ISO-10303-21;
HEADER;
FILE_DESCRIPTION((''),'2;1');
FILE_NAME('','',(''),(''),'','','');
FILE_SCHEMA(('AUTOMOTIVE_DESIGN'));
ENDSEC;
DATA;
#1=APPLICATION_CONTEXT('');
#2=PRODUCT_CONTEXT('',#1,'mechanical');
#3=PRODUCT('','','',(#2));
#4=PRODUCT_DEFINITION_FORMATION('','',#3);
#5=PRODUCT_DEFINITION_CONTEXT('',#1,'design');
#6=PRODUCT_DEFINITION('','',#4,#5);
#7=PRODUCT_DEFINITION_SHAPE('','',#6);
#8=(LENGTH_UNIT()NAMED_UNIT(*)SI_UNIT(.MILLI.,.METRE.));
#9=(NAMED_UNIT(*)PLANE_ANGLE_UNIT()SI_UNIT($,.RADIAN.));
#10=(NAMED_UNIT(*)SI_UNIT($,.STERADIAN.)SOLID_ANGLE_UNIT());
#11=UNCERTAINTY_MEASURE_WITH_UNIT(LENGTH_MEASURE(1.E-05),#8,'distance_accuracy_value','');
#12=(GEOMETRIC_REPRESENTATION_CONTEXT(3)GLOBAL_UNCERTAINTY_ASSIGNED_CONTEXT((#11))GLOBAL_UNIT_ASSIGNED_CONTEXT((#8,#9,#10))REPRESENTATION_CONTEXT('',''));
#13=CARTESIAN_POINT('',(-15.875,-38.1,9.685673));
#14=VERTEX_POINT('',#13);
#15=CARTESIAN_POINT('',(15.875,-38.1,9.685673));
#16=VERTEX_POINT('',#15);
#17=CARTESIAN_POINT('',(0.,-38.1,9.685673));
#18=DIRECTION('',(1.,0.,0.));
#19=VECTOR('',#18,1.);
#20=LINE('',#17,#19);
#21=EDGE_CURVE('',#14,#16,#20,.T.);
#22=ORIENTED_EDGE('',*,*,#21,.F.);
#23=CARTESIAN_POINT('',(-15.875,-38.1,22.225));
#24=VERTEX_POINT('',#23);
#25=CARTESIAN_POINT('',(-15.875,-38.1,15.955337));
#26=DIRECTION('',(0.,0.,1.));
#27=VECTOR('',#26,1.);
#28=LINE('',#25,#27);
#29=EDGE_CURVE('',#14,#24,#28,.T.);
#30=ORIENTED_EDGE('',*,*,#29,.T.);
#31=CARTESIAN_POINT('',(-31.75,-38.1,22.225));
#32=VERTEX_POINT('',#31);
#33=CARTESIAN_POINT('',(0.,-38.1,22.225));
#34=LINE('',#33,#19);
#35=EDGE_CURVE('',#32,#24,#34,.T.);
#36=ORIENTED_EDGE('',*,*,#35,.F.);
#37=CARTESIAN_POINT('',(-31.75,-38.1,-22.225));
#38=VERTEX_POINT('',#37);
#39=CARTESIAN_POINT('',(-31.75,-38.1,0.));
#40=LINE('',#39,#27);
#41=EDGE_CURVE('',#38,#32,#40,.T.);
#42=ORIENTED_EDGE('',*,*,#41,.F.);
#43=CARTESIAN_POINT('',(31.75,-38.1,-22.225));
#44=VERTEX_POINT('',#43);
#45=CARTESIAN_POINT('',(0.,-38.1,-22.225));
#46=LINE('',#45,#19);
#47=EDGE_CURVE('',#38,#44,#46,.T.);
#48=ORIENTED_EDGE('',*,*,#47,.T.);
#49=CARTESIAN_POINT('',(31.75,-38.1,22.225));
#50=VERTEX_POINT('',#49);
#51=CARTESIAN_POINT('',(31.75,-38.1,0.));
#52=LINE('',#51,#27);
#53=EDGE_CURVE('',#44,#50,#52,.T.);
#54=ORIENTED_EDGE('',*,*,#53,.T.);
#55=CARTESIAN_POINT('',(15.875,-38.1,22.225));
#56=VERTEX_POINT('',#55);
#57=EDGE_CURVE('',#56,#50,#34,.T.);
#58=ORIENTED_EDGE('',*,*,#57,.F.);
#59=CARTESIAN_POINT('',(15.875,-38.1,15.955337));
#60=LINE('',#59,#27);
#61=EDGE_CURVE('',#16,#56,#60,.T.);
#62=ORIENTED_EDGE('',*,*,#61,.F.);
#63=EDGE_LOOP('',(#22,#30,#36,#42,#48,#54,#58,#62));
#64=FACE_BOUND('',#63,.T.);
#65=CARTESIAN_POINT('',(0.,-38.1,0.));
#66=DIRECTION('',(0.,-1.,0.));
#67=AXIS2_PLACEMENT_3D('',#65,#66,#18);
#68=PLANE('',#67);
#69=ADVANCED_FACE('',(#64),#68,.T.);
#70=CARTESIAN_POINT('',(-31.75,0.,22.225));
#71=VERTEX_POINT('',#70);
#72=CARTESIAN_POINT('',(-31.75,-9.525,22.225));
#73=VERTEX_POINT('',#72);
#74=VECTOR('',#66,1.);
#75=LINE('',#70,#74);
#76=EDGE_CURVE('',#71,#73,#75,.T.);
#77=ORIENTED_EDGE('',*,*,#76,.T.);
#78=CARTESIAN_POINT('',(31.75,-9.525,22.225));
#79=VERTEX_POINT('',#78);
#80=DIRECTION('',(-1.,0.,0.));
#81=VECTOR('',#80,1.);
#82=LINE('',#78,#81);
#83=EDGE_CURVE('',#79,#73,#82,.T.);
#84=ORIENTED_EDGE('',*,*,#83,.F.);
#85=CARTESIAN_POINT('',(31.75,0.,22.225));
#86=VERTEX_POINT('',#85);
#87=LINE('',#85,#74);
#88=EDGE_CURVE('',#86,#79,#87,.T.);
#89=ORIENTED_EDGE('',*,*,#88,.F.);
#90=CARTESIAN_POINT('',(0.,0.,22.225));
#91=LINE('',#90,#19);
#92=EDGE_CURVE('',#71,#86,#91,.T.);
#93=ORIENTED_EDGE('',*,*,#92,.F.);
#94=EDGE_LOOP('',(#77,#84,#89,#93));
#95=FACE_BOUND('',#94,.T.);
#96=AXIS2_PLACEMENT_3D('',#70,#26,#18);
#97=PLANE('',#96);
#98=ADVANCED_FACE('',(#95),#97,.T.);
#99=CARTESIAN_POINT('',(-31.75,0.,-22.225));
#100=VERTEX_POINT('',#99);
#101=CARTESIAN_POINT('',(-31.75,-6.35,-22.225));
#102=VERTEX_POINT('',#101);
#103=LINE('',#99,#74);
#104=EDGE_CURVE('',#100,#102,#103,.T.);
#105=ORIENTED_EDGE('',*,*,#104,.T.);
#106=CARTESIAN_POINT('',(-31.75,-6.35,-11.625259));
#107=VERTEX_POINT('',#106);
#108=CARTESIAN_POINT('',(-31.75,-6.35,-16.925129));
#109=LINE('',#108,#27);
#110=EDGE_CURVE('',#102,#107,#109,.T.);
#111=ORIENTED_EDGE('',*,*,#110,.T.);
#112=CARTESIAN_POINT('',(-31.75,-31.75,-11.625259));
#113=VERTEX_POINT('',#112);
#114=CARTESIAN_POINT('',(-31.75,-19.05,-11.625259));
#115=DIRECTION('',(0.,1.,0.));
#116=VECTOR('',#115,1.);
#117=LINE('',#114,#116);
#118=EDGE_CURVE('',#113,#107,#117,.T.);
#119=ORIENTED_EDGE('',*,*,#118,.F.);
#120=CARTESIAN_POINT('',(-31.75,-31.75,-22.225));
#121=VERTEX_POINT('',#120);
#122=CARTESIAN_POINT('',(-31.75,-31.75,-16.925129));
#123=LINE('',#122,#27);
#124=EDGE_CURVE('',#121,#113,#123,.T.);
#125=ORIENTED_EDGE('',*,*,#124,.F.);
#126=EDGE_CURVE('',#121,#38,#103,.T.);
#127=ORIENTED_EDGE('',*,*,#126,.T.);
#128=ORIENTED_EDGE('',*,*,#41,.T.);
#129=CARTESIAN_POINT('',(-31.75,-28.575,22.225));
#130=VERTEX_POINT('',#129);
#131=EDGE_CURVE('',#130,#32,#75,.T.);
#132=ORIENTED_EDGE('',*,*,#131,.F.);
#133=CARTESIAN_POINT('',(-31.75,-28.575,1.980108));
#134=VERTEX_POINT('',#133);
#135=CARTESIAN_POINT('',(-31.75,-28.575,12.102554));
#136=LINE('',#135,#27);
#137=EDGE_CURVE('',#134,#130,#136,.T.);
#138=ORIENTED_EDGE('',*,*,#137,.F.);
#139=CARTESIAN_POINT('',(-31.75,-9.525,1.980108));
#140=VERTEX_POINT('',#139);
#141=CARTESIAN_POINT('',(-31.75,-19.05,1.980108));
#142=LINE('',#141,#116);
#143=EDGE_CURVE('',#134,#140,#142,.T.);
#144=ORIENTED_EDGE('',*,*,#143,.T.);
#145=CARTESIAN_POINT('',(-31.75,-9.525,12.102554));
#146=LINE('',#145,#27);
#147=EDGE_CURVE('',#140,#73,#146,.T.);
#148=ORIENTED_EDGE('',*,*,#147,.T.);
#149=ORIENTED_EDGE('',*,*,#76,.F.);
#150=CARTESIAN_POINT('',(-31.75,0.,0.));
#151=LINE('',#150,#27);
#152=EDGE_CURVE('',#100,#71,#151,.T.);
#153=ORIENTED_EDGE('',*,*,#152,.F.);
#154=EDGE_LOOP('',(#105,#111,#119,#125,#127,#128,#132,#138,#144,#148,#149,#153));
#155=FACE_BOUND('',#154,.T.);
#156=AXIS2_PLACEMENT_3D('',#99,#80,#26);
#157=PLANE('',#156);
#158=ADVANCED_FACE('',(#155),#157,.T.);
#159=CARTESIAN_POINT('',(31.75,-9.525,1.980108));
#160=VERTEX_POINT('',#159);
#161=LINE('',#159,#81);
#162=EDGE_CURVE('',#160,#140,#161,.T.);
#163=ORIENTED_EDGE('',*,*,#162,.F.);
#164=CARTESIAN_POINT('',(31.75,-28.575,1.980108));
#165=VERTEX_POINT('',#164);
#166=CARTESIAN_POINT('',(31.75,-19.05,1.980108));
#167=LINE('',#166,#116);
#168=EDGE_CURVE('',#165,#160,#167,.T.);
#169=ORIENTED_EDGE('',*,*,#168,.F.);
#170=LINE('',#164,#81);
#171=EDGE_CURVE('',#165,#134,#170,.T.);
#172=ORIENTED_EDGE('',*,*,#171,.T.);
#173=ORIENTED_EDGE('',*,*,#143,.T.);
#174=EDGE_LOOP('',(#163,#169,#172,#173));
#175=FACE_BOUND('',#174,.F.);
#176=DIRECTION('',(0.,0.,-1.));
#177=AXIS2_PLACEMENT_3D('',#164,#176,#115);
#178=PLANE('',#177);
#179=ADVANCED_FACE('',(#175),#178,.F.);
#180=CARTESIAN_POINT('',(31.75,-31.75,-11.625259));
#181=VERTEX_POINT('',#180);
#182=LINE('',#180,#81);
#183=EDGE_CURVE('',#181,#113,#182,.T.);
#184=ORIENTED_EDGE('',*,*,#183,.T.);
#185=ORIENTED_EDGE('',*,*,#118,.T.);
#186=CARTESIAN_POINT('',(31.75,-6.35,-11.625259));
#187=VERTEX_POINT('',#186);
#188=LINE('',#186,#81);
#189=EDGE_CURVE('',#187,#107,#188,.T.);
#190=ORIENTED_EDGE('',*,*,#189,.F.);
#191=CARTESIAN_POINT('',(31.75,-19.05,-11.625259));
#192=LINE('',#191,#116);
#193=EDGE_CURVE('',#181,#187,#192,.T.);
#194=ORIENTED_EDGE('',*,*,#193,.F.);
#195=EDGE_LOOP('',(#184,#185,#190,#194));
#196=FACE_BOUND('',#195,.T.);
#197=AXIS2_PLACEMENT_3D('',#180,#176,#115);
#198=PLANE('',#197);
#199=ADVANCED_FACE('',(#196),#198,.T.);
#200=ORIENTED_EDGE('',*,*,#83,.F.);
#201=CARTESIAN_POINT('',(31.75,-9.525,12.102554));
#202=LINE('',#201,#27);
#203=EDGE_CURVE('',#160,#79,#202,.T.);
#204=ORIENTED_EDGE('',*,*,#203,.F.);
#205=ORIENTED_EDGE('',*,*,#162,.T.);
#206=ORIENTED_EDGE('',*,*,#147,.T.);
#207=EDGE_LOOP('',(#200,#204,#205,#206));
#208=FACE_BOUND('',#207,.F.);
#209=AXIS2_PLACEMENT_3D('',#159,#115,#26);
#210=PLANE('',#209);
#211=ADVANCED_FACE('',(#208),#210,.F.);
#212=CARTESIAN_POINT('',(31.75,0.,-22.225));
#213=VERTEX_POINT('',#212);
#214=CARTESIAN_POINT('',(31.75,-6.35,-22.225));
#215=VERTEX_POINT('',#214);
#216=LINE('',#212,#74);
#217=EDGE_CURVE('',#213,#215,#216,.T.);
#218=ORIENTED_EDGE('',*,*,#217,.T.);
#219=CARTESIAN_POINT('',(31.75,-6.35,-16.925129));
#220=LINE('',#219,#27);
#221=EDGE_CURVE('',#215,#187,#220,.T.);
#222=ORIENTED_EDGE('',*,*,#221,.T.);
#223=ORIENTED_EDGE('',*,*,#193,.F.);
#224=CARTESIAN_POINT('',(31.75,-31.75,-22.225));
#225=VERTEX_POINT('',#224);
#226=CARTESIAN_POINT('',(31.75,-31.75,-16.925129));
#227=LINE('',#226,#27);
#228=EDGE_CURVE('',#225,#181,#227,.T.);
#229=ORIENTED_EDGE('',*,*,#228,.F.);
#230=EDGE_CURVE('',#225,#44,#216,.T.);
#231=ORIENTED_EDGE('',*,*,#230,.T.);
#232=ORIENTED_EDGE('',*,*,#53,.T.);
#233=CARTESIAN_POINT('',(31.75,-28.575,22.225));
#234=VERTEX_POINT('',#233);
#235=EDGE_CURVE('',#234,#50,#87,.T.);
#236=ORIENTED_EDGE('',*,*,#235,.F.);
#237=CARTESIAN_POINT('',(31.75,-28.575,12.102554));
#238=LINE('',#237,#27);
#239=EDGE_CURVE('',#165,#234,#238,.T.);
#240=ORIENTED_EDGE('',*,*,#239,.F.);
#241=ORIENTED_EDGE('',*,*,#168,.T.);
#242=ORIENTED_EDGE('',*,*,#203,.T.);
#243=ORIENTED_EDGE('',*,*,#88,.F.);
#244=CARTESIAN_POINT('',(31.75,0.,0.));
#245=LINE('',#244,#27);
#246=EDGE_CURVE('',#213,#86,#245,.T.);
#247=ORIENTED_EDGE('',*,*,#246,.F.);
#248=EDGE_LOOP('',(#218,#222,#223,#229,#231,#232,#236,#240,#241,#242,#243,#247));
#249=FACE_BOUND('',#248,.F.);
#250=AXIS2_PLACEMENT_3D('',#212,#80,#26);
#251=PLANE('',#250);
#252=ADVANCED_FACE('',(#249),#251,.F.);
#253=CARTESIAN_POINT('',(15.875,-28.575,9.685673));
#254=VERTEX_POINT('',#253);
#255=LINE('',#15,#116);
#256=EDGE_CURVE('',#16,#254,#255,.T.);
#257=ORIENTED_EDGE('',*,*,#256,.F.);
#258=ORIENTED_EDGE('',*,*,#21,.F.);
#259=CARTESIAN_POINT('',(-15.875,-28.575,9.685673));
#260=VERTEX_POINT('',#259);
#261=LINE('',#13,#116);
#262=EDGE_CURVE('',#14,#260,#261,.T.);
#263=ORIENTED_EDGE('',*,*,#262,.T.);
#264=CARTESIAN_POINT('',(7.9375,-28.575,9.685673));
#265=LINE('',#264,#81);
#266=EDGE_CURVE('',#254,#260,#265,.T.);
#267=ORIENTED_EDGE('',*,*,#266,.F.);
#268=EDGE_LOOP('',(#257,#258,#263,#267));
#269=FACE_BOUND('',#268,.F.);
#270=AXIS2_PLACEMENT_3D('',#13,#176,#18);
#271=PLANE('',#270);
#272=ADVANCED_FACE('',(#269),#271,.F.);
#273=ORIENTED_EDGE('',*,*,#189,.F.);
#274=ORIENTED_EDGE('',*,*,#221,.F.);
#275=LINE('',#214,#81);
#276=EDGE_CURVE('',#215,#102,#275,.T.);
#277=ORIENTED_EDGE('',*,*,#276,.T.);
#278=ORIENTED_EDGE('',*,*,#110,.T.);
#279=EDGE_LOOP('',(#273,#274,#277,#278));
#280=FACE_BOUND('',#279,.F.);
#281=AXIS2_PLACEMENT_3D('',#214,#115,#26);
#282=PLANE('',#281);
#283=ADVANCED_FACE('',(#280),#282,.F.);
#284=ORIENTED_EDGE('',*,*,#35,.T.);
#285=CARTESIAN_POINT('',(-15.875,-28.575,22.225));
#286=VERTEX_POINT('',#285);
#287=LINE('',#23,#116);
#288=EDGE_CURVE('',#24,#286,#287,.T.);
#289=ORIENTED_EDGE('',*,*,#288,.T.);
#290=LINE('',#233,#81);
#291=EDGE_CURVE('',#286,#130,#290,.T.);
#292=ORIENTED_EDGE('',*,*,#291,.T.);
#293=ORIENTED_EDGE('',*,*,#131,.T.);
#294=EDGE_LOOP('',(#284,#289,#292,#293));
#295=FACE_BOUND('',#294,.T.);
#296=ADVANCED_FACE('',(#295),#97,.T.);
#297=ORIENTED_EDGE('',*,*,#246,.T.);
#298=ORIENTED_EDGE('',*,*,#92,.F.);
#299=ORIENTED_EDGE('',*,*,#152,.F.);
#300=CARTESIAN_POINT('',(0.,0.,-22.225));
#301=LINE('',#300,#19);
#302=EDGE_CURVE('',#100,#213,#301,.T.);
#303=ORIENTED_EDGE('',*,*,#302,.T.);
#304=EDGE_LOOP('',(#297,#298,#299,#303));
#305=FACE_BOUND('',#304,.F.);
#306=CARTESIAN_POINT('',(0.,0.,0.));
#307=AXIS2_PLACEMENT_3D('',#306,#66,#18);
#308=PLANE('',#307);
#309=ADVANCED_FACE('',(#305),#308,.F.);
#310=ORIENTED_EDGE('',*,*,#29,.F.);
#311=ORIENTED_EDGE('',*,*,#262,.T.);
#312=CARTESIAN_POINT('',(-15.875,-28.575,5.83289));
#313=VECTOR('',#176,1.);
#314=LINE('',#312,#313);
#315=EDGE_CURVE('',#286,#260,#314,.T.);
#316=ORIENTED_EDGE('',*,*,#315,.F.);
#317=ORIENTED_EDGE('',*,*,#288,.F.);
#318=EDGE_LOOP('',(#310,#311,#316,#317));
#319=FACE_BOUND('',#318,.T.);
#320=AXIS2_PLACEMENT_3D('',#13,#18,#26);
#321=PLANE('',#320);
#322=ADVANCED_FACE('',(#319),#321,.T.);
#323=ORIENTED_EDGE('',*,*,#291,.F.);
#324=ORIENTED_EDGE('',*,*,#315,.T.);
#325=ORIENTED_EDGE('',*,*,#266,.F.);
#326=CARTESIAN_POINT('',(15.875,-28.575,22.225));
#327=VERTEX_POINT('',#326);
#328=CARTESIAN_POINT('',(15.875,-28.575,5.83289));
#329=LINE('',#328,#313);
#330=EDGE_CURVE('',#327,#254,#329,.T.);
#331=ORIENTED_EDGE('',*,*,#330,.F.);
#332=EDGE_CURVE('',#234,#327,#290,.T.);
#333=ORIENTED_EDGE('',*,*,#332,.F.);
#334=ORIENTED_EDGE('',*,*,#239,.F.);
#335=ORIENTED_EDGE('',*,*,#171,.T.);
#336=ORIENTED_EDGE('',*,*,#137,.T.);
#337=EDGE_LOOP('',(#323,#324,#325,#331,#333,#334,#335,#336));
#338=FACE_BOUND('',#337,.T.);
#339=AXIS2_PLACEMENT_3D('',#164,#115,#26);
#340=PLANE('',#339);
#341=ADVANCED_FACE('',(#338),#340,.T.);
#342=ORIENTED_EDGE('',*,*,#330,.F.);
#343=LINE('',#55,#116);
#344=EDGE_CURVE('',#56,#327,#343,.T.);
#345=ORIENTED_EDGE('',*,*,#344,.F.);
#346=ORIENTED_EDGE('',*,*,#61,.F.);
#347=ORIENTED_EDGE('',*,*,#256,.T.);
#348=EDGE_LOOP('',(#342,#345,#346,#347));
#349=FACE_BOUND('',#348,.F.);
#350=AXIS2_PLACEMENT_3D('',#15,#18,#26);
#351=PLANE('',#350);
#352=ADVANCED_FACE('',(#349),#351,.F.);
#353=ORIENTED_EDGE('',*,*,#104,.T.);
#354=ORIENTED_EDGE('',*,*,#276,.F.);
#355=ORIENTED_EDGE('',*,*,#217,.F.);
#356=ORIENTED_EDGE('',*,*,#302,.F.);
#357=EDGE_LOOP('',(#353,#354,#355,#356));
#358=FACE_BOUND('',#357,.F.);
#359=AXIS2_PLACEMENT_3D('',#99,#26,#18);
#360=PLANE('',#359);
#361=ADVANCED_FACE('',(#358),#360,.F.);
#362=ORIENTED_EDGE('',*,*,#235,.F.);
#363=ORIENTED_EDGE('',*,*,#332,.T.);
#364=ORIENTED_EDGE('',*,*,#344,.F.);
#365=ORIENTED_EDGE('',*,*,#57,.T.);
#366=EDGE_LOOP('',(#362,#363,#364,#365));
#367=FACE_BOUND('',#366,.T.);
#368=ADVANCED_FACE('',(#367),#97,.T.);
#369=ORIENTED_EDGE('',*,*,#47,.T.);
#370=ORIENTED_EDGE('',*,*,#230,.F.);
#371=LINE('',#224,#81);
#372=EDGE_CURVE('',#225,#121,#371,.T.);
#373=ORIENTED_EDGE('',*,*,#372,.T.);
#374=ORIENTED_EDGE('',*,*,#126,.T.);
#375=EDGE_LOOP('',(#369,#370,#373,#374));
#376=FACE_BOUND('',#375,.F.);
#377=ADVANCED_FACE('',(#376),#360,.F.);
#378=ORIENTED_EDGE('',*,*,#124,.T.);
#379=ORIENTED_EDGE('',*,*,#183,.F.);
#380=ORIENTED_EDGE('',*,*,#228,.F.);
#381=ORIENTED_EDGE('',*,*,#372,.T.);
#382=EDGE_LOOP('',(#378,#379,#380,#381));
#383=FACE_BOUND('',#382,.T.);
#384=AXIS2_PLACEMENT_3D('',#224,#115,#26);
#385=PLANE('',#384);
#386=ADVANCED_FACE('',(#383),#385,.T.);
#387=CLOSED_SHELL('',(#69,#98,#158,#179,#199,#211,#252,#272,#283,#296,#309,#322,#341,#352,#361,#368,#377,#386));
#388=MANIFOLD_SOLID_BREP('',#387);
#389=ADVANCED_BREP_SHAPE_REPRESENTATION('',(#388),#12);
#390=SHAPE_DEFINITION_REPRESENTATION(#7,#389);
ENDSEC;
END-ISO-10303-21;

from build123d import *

# Parameters (mm, degrees)
F0_W     = 63.5
F0_H     = 44.45
F1_DEPTH = 38.1
F3_W     = 19.05
F3_H     = 20.2448921431
F4_DEPTH = 63.5
F2_W     = 31.75
F2_H     = 12.5393269187
F5_DEPTH = 25.4
F6_W     = 25.4
F6_H     = 10.5997411049
F7_DEPTH = 63.5


with BuildPart() as f1:
    # F0 (on Front) → F1 (new body)
    with BuildSketch(Plane.XZ):
        Rectangle(F0_W, F0_H)
    extrude(amount=F1_DEPTH)

    # F3 (on face) → F4 (cut)
    with BuildSketch(Plane.YZ.offset(31.75)):
        with Locations((-19.05, 12.1025539285)):
            Rectangle(F3_W, F3_H)
    extrude(amount=-F4_DEPTH, mode=Mode.SUBTRACT)

    # F2 (on face) → F5 (cut)
    with BuildSketch(Plane.XZ.offset(38.1)):
        with Locations((0, 15.9553365407)):
            Rectangle(F2_W, F2_H)
    extrude(amount=-F5_DEPTH, mode=Mode.SUBTRACT)

    # F6 (on face) → F7 (cut)
    with BuildSketch(Plane.YZ.offset(31.75)):
        with Locations((-19.05, -16.9251294475)):
            Rectangle(F6_W, F6_H)
    extrude(amount=-F7_DEPTH, mode=Mode.SUBTRACT)


solid = f1.part
